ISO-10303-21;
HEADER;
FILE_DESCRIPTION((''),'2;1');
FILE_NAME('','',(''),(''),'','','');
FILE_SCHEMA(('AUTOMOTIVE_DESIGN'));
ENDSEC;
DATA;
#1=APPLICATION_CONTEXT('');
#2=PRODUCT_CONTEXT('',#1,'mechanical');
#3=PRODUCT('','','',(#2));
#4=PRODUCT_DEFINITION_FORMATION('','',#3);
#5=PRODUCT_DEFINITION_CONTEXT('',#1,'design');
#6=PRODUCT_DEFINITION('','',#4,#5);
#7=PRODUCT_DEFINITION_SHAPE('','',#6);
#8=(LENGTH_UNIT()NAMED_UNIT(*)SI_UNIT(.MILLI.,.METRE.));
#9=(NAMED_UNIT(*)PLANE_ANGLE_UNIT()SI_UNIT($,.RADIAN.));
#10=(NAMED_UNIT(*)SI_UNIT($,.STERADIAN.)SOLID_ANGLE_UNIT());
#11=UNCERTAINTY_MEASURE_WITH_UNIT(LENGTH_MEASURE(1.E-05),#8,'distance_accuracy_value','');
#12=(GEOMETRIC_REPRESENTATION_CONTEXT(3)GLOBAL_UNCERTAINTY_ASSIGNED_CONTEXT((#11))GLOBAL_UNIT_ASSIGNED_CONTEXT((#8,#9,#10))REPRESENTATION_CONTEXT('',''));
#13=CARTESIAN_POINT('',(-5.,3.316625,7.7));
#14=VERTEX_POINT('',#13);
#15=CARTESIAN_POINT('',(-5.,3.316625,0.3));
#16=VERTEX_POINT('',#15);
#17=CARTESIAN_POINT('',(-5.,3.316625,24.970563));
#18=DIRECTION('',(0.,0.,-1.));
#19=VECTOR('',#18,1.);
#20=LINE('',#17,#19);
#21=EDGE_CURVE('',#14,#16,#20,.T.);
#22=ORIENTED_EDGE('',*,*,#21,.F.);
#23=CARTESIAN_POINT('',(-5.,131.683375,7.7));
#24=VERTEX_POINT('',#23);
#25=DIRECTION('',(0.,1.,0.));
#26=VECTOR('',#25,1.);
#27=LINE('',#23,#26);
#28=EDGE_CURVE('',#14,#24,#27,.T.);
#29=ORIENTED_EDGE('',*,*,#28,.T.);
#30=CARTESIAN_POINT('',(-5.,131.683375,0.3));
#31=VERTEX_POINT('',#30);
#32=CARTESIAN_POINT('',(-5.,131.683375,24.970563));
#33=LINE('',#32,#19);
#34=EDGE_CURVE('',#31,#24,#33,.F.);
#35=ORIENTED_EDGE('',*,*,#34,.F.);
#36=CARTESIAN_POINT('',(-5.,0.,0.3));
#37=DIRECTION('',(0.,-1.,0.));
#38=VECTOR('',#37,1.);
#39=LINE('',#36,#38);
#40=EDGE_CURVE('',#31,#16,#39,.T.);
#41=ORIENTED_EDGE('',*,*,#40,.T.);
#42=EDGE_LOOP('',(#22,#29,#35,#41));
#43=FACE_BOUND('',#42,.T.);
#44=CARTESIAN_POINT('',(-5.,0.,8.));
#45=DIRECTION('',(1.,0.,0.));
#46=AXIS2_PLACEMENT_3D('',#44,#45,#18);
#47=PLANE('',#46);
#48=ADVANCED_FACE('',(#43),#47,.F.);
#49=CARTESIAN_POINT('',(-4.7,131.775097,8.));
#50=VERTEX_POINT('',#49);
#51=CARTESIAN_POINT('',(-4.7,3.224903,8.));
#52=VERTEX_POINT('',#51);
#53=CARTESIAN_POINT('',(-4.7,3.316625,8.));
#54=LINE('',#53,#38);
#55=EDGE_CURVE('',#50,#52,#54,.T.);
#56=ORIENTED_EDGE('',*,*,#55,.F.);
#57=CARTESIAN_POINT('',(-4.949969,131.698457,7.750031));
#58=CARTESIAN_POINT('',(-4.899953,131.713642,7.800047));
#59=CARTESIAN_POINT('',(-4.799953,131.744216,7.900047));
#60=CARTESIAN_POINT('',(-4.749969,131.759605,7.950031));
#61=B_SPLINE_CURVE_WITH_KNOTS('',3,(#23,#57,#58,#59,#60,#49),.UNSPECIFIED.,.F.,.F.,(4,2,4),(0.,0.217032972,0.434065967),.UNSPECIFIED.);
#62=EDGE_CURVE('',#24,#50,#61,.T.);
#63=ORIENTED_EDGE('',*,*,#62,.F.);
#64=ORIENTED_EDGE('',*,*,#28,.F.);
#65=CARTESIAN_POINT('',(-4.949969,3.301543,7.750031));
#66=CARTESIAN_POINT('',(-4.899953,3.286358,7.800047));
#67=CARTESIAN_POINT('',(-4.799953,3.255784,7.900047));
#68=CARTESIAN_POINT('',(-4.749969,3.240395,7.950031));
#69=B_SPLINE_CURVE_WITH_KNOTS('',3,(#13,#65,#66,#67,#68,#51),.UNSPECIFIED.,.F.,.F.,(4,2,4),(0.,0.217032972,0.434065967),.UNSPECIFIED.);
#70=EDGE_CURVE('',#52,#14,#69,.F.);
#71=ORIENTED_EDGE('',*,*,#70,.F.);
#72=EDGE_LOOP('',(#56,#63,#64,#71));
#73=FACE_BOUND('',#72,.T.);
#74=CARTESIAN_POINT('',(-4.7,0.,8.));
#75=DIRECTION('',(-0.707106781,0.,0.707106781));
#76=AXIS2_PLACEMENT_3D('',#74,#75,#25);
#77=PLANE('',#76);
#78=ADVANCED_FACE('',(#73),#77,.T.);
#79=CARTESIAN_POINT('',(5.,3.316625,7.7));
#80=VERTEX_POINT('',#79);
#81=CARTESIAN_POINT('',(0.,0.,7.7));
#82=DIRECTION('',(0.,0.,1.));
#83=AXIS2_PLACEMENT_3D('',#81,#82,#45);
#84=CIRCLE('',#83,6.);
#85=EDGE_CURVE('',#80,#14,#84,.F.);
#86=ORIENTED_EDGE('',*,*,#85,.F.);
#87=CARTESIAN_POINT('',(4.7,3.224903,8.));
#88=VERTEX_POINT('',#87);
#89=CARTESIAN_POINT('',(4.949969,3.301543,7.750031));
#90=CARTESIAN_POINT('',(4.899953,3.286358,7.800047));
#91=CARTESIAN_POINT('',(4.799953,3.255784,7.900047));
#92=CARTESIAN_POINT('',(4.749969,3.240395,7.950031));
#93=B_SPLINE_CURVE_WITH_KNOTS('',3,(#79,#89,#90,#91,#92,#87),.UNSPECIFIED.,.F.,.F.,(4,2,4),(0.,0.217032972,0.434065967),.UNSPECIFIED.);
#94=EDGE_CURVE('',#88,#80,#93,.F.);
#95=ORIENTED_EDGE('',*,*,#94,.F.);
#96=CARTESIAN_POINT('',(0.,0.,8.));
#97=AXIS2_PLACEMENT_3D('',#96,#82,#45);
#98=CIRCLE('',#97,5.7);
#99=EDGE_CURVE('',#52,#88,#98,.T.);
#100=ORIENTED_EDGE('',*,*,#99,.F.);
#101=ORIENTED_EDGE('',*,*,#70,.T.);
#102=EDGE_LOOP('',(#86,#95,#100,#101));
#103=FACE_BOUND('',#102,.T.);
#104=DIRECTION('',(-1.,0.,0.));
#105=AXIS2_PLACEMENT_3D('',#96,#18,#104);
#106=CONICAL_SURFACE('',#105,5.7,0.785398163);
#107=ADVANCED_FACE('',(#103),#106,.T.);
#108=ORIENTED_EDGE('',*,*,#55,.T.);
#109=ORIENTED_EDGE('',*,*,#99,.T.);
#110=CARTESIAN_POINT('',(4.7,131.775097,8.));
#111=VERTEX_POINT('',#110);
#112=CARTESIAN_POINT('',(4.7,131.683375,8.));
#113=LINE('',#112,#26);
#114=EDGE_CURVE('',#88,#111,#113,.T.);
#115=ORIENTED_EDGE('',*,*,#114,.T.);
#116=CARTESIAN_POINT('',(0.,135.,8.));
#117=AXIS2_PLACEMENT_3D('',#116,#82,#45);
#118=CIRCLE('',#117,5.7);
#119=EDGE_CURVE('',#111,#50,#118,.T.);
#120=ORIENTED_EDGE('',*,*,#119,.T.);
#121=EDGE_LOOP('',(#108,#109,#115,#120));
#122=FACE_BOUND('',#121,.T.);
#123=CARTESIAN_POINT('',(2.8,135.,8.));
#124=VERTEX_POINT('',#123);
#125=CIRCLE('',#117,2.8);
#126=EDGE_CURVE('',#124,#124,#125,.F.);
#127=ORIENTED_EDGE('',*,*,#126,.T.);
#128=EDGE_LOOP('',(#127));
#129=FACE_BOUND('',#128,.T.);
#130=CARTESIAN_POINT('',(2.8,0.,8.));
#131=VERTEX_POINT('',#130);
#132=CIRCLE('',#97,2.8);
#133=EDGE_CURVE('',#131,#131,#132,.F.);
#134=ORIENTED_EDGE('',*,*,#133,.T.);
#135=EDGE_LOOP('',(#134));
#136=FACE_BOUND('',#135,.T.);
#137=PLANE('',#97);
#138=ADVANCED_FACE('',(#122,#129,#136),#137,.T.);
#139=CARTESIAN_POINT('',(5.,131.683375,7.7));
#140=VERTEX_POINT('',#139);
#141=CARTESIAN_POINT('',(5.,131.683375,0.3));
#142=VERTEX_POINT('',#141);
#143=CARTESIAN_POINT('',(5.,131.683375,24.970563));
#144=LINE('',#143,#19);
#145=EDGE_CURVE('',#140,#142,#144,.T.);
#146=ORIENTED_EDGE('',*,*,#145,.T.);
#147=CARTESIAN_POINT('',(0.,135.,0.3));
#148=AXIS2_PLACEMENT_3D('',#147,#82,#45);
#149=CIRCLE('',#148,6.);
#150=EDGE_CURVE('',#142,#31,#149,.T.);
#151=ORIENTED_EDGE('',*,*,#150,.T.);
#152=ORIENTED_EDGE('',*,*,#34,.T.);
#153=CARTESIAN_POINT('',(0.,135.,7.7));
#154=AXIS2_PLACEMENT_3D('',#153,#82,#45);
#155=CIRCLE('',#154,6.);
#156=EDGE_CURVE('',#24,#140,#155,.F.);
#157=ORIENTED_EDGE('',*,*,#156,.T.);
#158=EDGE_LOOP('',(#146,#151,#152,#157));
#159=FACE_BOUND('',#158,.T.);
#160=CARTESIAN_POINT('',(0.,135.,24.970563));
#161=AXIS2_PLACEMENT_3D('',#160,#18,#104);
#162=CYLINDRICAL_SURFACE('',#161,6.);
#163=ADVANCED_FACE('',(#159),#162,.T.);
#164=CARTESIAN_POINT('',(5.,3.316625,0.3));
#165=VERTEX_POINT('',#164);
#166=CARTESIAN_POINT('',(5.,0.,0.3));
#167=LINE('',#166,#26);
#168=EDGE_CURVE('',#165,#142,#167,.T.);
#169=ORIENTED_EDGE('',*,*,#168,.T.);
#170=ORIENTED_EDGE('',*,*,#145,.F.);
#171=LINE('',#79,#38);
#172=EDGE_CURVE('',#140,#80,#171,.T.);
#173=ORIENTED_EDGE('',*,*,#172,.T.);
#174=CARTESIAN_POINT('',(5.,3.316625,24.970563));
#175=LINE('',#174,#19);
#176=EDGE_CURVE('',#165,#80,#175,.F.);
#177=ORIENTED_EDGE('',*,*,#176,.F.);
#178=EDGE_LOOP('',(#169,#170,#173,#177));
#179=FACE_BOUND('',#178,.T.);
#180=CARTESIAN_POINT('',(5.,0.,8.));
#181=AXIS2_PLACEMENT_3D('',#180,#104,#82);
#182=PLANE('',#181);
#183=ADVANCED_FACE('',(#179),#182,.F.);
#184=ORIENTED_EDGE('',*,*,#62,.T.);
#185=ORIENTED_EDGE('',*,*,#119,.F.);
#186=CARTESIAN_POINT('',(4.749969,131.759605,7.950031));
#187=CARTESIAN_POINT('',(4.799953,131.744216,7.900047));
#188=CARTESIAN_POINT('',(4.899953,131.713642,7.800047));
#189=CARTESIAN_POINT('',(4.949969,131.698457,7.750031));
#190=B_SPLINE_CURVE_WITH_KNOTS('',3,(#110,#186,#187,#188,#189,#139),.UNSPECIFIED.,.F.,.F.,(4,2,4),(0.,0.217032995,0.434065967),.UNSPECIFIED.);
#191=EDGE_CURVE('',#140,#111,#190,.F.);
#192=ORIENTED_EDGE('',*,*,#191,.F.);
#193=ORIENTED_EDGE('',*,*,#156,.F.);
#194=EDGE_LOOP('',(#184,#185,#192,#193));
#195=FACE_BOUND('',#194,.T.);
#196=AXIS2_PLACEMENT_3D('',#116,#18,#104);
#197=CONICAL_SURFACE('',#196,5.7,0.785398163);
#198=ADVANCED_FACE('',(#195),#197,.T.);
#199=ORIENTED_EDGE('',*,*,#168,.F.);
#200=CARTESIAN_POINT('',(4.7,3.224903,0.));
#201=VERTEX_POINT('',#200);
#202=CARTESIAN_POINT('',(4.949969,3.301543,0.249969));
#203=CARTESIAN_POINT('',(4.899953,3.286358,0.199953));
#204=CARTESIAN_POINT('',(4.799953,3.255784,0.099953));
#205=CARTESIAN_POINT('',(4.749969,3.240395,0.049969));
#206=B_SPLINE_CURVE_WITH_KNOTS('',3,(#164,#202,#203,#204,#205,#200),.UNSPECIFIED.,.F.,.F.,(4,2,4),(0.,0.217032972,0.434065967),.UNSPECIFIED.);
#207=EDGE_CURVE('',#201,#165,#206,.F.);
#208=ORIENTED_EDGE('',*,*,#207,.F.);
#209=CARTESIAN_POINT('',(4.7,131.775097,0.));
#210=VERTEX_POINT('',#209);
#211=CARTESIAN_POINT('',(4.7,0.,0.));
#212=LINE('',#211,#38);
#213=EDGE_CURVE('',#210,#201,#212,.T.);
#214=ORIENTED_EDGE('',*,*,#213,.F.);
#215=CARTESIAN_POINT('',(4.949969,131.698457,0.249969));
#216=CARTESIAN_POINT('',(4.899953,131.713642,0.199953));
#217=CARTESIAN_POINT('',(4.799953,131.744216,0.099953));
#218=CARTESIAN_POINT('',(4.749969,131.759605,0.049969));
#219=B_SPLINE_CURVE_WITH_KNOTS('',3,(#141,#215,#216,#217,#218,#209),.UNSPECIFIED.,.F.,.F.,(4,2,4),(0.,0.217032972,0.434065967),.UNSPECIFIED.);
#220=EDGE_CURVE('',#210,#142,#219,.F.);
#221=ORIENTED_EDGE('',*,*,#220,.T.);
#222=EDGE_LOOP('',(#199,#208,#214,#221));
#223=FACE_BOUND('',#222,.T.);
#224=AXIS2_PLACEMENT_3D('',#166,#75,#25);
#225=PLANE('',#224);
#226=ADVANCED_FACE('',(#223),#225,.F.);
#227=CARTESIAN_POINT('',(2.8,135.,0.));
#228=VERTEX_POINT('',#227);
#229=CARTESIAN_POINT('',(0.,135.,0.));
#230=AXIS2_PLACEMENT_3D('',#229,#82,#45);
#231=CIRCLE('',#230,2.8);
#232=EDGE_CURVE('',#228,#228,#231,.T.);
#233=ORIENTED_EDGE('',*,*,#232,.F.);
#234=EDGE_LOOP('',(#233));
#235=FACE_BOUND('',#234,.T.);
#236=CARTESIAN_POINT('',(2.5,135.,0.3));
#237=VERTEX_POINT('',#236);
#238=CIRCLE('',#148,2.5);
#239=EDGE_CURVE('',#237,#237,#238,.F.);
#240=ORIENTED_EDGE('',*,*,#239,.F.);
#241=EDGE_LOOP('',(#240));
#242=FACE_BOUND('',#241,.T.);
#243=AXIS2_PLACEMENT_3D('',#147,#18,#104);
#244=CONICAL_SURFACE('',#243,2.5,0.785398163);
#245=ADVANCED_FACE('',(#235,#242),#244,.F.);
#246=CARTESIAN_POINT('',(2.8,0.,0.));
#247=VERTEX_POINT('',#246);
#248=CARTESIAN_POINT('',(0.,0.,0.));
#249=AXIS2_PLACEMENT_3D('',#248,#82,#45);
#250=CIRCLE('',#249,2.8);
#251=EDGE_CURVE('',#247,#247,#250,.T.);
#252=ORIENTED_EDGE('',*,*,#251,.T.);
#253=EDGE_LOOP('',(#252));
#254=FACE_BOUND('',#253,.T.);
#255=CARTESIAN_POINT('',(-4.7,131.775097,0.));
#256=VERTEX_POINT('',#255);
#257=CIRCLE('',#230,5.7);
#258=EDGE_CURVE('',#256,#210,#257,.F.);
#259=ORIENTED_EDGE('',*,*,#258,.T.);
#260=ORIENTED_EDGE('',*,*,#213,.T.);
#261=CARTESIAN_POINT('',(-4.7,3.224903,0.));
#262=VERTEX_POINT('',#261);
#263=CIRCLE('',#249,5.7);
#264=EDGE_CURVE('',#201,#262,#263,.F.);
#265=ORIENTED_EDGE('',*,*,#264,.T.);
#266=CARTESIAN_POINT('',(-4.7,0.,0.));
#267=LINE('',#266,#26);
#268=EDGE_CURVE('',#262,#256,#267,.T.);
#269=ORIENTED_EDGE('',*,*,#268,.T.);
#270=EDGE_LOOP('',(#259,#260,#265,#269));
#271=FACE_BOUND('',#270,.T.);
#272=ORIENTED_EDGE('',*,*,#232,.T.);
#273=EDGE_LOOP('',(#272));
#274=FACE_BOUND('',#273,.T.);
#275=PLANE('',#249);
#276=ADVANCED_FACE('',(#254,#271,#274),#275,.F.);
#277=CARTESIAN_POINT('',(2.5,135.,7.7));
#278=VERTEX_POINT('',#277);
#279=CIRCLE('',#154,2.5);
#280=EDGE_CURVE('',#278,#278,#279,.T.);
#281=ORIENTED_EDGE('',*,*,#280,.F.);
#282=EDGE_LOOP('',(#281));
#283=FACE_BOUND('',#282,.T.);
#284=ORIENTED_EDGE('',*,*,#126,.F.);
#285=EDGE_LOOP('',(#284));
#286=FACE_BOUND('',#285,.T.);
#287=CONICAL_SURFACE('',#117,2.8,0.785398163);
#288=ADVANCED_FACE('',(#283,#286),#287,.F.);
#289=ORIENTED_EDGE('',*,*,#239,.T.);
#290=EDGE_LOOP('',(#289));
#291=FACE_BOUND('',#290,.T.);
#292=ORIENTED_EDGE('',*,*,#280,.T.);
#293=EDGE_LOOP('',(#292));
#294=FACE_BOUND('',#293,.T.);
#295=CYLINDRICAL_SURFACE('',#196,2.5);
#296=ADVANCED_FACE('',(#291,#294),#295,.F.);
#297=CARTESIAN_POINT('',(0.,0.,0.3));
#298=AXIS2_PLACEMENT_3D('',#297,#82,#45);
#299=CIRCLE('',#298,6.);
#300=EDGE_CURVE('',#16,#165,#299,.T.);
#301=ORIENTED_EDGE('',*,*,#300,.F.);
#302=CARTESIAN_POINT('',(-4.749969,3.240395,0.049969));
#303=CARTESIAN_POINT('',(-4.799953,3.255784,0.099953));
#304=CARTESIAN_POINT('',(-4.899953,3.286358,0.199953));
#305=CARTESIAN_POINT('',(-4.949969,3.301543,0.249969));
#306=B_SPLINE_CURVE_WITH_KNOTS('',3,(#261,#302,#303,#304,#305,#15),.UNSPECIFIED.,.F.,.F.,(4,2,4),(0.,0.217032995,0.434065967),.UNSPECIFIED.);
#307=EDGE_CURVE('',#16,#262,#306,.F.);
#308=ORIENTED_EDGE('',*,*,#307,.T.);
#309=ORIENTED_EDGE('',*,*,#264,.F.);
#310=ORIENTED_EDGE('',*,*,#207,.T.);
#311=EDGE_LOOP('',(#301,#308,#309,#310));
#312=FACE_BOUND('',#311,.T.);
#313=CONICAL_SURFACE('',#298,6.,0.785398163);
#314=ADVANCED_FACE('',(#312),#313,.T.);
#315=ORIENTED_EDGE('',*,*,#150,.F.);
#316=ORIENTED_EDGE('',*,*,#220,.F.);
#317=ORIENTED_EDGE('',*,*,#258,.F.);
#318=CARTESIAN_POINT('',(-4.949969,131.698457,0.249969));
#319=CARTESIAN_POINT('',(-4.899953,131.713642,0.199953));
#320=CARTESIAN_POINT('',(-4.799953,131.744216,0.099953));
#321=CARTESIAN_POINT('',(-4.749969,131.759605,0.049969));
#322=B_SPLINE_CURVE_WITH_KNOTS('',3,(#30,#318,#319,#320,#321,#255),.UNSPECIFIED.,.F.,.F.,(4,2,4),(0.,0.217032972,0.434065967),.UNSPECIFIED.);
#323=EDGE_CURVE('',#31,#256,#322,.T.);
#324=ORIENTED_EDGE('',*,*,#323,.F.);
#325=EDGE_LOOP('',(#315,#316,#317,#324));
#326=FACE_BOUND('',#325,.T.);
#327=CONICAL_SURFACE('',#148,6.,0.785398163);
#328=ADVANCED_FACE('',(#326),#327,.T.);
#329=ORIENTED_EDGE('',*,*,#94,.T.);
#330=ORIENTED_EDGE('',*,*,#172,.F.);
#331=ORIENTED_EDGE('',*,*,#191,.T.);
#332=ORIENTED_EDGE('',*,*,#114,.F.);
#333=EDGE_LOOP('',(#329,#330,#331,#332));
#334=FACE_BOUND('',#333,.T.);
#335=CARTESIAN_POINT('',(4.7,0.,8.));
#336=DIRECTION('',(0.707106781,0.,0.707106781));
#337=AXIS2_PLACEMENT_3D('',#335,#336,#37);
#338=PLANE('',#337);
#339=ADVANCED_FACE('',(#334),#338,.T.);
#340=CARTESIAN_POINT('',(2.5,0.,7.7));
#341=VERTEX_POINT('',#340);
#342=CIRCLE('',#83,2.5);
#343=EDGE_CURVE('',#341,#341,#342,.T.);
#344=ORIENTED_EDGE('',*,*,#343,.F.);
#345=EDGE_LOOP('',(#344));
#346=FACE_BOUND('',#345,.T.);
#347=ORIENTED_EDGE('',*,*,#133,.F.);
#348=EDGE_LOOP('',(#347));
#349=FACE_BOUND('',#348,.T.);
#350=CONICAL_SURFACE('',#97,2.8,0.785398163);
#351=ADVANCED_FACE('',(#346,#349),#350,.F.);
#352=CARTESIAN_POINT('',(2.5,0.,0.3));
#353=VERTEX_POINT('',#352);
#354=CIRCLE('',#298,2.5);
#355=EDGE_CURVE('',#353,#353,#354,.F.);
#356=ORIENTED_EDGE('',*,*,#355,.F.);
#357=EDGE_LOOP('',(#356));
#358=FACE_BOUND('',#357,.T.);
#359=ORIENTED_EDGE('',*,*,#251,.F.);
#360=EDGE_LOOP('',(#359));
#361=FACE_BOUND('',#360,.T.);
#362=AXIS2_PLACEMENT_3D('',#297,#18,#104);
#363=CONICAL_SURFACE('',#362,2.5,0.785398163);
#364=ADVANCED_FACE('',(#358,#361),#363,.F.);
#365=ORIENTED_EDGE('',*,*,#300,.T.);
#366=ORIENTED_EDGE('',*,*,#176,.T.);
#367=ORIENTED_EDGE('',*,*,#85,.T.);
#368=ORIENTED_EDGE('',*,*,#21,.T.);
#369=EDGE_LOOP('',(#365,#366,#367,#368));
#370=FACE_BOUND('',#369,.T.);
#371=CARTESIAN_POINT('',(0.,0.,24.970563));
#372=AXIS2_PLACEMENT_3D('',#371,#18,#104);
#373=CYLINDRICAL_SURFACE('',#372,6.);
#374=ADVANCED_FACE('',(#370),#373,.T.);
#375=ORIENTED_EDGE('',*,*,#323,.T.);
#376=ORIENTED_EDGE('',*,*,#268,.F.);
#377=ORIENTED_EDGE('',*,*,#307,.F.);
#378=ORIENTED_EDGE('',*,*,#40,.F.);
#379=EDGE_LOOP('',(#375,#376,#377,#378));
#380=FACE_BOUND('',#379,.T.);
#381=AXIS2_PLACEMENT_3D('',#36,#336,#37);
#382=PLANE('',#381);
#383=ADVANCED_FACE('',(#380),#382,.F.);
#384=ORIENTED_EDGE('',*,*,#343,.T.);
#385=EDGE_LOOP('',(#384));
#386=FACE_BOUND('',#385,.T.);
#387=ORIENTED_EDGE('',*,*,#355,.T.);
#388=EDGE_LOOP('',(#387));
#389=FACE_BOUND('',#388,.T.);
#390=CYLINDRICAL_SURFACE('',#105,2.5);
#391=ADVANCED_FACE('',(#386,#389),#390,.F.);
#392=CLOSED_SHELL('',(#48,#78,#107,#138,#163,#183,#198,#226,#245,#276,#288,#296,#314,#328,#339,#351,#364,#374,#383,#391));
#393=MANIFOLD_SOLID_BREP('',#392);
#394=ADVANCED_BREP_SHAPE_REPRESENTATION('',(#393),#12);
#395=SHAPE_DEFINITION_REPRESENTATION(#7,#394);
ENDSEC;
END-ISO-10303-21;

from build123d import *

# Parameters (mm, degrees)
EXTRUDE_1_DEPTH     = 8
SKETCH_2_R          = 6
EXTRUDE_2_DEPTH     = 8
SKETCH_3_R          = 2.5
CUT_EXTRUDE_1_DEPTH = 9
CHAMFER_1_SIZE      = 0.3


with BuildPart() as part:
    # 草图1 → 凸台-拉伸1 (new body)
    with BuildSketch(Plane.XY):
        with BuildLine():
            Line((-5, 0), (-5, 135))
            ThreePointArc((-5, 135), (0, 140), (5, 135))
            Line((5, 135), (5, 0))
            ThreePointArc((5, 0), (0, -5), (-5, 0))
        make_face()
    extrude(amount=EXTRUDE_1_DEPTH)

    # 草图2 → 凸台-拉伸2 (add)
    with BuildSketch(Plane.XY):
        Circle(SKETCH_2_R)
        with Locations((0, 135)):
            Circle(SKETCH_2_R)
    extrude(amount=EXTRUDE_2_DEPTH)

    # 草图3 → 切除-拉伸1 (cut, through all)
    with BuildSketch(Plane(origin=(0, 0, 0), x_dir=(-1, 0, 0), z_dir=(0, 0, -1))):
        with Locations((0, 135)):
            Circle(SKETCH_3_R)
        Circle(SKETCH_3_R)
    extrude(amount=-CUT_EXTRUDE_1_DEPTH, mode=Mode.SUBTRACT)

    # 倒角1
    chamfer_1_edges = [part.edges().sort_by_distance(p)[0] for p in [
        (5, 67.5, 0),
        (5, 67.5, 8),
        (0, -6, 8),
        (0, -6, 0),
        (-5, 67.5, 0),
        (-5, 67.5, 8),
        (0, 141, 0),
        (0, 141, 8),
        (2.5, 135, 8),
        (2.5, 135, 0),
        (2.5, 0, 8),
        (2.5, 0, 0),
    ]]
    chamfer(chamfer_1_edges, length=CHAMFER_1_SIZE)


solid = part.part
